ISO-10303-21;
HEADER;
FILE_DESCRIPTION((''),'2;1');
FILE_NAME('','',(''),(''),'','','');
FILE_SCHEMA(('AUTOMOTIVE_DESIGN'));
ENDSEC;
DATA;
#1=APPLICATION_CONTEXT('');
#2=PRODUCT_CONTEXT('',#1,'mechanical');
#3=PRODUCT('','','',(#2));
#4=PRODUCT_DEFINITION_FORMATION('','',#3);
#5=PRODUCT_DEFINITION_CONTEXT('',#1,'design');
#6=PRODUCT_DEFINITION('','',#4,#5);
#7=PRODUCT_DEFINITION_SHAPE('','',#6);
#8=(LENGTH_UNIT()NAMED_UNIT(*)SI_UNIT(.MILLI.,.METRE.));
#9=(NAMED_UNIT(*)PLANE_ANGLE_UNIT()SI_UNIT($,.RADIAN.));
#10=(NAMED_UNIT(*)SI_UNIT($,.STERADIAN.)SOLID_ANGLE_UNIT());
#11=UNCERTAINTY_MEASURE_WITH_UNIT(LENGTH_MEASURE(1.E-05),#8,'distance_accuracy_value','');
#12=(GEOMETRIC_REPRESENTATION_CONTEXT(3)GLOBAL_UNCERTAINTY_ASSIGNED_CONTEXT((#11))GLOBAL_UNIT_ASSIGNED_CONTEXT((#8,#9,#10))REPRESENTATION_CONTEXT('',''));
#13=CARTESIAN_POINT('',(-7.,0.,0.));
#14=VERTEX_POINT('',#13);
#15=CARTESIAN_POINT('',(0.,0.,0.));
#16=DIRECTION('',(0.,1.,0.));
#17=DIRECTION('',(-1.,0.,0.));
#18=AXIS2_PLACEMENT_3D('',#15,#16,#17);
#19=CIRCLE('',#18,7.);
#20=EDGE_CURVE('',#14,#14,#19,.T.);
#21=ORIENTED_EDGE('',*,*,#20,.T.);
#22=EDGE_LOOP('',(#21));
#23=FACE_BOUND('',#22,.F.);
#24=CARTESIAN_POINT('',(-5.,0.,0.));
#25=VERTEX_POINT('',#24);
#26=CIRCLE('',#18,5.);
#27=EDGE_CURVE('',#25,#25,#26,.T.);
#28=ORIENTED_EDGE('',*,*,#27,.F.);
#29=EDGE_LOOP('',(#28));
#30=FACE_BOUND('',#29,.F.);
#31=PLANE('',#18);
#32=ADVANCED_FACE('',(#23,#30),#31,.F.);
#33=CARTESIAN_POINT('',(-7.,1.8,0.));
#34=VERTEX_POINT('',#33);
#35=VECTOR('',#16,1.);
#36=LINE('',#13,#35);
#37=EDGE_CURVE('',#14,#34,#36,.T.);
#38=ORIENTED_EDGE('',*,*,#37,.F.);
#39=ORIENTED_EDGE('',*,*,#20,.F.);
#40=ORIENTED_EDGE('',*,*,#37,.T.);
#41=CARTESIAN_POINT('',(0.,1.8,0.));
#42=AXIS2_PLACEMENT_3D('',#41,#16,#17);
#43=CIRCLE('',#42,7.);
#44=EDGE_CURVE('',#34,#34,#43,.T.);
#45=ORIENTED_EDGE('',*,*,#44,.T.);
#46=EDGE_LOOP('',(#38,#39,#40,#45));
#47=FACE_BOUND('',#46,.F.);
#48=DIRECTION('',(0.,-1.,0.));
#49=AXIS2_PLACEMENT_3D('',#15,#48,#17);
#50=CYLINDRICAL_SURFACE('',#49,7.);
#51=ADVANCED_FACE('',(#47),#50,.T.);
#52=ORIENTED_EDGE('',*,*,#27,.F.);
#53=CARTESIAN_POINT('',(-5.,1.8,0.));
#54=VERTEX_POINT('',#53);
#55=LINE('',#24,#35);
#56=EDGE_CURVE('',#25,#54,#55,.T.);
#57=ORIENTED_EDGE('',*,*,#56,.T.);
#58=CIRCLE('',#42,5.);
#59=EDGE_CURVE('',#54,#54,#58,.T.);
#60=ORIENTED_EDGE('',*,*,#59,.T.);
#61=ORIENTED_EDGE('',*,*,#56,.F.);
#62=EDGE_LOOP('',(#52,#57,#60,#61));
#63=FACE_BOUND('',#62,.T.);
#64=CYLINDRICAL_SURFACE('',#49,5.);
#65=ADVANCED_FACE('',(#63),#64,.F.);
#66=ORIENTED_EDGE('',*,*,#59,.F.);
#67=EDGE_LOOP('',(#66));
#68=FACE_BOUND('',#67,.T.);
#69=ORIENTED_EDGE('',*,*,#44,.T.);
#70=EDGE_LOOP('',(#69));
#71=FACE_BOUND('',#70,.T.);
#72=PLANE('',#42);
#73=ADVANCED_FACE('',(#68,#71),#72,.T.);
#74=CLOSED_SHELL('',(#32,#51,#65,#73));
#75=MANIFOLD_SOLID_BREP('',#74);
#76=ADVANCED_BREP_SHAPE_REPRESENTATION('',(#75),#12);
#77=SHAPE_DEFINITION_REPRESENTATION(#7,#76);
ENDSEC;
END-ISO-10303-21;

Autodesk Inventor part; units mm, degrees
ref_plane "YZ Plane" through (0, 0, 0) normal (1, 0, 0) x (0, 1, 0)
ref_plane "XZ Plane" through (0, 0, 0) normal (0, 1, 0) x (-1, 0, 0)
ref_plane "XY Plane" through (0, 0, 0) normal (0, 0, 1) x (1, 0, 0)
sketch "Náčrt1" plane through (0, 0, 0) normal (0, 1, 0) x (-1, 0, 0)
  circle A0 centre (0, 0) radius 7
  circle A1 centre (0, 0) radius 5
  dimension "d0" = 14
  dimension "d1" = 10
extrude "Vysunutí1" add sketch "Náčrt1" along normal blind 1.8
properties part number "distance_ring_cable_bearing"
